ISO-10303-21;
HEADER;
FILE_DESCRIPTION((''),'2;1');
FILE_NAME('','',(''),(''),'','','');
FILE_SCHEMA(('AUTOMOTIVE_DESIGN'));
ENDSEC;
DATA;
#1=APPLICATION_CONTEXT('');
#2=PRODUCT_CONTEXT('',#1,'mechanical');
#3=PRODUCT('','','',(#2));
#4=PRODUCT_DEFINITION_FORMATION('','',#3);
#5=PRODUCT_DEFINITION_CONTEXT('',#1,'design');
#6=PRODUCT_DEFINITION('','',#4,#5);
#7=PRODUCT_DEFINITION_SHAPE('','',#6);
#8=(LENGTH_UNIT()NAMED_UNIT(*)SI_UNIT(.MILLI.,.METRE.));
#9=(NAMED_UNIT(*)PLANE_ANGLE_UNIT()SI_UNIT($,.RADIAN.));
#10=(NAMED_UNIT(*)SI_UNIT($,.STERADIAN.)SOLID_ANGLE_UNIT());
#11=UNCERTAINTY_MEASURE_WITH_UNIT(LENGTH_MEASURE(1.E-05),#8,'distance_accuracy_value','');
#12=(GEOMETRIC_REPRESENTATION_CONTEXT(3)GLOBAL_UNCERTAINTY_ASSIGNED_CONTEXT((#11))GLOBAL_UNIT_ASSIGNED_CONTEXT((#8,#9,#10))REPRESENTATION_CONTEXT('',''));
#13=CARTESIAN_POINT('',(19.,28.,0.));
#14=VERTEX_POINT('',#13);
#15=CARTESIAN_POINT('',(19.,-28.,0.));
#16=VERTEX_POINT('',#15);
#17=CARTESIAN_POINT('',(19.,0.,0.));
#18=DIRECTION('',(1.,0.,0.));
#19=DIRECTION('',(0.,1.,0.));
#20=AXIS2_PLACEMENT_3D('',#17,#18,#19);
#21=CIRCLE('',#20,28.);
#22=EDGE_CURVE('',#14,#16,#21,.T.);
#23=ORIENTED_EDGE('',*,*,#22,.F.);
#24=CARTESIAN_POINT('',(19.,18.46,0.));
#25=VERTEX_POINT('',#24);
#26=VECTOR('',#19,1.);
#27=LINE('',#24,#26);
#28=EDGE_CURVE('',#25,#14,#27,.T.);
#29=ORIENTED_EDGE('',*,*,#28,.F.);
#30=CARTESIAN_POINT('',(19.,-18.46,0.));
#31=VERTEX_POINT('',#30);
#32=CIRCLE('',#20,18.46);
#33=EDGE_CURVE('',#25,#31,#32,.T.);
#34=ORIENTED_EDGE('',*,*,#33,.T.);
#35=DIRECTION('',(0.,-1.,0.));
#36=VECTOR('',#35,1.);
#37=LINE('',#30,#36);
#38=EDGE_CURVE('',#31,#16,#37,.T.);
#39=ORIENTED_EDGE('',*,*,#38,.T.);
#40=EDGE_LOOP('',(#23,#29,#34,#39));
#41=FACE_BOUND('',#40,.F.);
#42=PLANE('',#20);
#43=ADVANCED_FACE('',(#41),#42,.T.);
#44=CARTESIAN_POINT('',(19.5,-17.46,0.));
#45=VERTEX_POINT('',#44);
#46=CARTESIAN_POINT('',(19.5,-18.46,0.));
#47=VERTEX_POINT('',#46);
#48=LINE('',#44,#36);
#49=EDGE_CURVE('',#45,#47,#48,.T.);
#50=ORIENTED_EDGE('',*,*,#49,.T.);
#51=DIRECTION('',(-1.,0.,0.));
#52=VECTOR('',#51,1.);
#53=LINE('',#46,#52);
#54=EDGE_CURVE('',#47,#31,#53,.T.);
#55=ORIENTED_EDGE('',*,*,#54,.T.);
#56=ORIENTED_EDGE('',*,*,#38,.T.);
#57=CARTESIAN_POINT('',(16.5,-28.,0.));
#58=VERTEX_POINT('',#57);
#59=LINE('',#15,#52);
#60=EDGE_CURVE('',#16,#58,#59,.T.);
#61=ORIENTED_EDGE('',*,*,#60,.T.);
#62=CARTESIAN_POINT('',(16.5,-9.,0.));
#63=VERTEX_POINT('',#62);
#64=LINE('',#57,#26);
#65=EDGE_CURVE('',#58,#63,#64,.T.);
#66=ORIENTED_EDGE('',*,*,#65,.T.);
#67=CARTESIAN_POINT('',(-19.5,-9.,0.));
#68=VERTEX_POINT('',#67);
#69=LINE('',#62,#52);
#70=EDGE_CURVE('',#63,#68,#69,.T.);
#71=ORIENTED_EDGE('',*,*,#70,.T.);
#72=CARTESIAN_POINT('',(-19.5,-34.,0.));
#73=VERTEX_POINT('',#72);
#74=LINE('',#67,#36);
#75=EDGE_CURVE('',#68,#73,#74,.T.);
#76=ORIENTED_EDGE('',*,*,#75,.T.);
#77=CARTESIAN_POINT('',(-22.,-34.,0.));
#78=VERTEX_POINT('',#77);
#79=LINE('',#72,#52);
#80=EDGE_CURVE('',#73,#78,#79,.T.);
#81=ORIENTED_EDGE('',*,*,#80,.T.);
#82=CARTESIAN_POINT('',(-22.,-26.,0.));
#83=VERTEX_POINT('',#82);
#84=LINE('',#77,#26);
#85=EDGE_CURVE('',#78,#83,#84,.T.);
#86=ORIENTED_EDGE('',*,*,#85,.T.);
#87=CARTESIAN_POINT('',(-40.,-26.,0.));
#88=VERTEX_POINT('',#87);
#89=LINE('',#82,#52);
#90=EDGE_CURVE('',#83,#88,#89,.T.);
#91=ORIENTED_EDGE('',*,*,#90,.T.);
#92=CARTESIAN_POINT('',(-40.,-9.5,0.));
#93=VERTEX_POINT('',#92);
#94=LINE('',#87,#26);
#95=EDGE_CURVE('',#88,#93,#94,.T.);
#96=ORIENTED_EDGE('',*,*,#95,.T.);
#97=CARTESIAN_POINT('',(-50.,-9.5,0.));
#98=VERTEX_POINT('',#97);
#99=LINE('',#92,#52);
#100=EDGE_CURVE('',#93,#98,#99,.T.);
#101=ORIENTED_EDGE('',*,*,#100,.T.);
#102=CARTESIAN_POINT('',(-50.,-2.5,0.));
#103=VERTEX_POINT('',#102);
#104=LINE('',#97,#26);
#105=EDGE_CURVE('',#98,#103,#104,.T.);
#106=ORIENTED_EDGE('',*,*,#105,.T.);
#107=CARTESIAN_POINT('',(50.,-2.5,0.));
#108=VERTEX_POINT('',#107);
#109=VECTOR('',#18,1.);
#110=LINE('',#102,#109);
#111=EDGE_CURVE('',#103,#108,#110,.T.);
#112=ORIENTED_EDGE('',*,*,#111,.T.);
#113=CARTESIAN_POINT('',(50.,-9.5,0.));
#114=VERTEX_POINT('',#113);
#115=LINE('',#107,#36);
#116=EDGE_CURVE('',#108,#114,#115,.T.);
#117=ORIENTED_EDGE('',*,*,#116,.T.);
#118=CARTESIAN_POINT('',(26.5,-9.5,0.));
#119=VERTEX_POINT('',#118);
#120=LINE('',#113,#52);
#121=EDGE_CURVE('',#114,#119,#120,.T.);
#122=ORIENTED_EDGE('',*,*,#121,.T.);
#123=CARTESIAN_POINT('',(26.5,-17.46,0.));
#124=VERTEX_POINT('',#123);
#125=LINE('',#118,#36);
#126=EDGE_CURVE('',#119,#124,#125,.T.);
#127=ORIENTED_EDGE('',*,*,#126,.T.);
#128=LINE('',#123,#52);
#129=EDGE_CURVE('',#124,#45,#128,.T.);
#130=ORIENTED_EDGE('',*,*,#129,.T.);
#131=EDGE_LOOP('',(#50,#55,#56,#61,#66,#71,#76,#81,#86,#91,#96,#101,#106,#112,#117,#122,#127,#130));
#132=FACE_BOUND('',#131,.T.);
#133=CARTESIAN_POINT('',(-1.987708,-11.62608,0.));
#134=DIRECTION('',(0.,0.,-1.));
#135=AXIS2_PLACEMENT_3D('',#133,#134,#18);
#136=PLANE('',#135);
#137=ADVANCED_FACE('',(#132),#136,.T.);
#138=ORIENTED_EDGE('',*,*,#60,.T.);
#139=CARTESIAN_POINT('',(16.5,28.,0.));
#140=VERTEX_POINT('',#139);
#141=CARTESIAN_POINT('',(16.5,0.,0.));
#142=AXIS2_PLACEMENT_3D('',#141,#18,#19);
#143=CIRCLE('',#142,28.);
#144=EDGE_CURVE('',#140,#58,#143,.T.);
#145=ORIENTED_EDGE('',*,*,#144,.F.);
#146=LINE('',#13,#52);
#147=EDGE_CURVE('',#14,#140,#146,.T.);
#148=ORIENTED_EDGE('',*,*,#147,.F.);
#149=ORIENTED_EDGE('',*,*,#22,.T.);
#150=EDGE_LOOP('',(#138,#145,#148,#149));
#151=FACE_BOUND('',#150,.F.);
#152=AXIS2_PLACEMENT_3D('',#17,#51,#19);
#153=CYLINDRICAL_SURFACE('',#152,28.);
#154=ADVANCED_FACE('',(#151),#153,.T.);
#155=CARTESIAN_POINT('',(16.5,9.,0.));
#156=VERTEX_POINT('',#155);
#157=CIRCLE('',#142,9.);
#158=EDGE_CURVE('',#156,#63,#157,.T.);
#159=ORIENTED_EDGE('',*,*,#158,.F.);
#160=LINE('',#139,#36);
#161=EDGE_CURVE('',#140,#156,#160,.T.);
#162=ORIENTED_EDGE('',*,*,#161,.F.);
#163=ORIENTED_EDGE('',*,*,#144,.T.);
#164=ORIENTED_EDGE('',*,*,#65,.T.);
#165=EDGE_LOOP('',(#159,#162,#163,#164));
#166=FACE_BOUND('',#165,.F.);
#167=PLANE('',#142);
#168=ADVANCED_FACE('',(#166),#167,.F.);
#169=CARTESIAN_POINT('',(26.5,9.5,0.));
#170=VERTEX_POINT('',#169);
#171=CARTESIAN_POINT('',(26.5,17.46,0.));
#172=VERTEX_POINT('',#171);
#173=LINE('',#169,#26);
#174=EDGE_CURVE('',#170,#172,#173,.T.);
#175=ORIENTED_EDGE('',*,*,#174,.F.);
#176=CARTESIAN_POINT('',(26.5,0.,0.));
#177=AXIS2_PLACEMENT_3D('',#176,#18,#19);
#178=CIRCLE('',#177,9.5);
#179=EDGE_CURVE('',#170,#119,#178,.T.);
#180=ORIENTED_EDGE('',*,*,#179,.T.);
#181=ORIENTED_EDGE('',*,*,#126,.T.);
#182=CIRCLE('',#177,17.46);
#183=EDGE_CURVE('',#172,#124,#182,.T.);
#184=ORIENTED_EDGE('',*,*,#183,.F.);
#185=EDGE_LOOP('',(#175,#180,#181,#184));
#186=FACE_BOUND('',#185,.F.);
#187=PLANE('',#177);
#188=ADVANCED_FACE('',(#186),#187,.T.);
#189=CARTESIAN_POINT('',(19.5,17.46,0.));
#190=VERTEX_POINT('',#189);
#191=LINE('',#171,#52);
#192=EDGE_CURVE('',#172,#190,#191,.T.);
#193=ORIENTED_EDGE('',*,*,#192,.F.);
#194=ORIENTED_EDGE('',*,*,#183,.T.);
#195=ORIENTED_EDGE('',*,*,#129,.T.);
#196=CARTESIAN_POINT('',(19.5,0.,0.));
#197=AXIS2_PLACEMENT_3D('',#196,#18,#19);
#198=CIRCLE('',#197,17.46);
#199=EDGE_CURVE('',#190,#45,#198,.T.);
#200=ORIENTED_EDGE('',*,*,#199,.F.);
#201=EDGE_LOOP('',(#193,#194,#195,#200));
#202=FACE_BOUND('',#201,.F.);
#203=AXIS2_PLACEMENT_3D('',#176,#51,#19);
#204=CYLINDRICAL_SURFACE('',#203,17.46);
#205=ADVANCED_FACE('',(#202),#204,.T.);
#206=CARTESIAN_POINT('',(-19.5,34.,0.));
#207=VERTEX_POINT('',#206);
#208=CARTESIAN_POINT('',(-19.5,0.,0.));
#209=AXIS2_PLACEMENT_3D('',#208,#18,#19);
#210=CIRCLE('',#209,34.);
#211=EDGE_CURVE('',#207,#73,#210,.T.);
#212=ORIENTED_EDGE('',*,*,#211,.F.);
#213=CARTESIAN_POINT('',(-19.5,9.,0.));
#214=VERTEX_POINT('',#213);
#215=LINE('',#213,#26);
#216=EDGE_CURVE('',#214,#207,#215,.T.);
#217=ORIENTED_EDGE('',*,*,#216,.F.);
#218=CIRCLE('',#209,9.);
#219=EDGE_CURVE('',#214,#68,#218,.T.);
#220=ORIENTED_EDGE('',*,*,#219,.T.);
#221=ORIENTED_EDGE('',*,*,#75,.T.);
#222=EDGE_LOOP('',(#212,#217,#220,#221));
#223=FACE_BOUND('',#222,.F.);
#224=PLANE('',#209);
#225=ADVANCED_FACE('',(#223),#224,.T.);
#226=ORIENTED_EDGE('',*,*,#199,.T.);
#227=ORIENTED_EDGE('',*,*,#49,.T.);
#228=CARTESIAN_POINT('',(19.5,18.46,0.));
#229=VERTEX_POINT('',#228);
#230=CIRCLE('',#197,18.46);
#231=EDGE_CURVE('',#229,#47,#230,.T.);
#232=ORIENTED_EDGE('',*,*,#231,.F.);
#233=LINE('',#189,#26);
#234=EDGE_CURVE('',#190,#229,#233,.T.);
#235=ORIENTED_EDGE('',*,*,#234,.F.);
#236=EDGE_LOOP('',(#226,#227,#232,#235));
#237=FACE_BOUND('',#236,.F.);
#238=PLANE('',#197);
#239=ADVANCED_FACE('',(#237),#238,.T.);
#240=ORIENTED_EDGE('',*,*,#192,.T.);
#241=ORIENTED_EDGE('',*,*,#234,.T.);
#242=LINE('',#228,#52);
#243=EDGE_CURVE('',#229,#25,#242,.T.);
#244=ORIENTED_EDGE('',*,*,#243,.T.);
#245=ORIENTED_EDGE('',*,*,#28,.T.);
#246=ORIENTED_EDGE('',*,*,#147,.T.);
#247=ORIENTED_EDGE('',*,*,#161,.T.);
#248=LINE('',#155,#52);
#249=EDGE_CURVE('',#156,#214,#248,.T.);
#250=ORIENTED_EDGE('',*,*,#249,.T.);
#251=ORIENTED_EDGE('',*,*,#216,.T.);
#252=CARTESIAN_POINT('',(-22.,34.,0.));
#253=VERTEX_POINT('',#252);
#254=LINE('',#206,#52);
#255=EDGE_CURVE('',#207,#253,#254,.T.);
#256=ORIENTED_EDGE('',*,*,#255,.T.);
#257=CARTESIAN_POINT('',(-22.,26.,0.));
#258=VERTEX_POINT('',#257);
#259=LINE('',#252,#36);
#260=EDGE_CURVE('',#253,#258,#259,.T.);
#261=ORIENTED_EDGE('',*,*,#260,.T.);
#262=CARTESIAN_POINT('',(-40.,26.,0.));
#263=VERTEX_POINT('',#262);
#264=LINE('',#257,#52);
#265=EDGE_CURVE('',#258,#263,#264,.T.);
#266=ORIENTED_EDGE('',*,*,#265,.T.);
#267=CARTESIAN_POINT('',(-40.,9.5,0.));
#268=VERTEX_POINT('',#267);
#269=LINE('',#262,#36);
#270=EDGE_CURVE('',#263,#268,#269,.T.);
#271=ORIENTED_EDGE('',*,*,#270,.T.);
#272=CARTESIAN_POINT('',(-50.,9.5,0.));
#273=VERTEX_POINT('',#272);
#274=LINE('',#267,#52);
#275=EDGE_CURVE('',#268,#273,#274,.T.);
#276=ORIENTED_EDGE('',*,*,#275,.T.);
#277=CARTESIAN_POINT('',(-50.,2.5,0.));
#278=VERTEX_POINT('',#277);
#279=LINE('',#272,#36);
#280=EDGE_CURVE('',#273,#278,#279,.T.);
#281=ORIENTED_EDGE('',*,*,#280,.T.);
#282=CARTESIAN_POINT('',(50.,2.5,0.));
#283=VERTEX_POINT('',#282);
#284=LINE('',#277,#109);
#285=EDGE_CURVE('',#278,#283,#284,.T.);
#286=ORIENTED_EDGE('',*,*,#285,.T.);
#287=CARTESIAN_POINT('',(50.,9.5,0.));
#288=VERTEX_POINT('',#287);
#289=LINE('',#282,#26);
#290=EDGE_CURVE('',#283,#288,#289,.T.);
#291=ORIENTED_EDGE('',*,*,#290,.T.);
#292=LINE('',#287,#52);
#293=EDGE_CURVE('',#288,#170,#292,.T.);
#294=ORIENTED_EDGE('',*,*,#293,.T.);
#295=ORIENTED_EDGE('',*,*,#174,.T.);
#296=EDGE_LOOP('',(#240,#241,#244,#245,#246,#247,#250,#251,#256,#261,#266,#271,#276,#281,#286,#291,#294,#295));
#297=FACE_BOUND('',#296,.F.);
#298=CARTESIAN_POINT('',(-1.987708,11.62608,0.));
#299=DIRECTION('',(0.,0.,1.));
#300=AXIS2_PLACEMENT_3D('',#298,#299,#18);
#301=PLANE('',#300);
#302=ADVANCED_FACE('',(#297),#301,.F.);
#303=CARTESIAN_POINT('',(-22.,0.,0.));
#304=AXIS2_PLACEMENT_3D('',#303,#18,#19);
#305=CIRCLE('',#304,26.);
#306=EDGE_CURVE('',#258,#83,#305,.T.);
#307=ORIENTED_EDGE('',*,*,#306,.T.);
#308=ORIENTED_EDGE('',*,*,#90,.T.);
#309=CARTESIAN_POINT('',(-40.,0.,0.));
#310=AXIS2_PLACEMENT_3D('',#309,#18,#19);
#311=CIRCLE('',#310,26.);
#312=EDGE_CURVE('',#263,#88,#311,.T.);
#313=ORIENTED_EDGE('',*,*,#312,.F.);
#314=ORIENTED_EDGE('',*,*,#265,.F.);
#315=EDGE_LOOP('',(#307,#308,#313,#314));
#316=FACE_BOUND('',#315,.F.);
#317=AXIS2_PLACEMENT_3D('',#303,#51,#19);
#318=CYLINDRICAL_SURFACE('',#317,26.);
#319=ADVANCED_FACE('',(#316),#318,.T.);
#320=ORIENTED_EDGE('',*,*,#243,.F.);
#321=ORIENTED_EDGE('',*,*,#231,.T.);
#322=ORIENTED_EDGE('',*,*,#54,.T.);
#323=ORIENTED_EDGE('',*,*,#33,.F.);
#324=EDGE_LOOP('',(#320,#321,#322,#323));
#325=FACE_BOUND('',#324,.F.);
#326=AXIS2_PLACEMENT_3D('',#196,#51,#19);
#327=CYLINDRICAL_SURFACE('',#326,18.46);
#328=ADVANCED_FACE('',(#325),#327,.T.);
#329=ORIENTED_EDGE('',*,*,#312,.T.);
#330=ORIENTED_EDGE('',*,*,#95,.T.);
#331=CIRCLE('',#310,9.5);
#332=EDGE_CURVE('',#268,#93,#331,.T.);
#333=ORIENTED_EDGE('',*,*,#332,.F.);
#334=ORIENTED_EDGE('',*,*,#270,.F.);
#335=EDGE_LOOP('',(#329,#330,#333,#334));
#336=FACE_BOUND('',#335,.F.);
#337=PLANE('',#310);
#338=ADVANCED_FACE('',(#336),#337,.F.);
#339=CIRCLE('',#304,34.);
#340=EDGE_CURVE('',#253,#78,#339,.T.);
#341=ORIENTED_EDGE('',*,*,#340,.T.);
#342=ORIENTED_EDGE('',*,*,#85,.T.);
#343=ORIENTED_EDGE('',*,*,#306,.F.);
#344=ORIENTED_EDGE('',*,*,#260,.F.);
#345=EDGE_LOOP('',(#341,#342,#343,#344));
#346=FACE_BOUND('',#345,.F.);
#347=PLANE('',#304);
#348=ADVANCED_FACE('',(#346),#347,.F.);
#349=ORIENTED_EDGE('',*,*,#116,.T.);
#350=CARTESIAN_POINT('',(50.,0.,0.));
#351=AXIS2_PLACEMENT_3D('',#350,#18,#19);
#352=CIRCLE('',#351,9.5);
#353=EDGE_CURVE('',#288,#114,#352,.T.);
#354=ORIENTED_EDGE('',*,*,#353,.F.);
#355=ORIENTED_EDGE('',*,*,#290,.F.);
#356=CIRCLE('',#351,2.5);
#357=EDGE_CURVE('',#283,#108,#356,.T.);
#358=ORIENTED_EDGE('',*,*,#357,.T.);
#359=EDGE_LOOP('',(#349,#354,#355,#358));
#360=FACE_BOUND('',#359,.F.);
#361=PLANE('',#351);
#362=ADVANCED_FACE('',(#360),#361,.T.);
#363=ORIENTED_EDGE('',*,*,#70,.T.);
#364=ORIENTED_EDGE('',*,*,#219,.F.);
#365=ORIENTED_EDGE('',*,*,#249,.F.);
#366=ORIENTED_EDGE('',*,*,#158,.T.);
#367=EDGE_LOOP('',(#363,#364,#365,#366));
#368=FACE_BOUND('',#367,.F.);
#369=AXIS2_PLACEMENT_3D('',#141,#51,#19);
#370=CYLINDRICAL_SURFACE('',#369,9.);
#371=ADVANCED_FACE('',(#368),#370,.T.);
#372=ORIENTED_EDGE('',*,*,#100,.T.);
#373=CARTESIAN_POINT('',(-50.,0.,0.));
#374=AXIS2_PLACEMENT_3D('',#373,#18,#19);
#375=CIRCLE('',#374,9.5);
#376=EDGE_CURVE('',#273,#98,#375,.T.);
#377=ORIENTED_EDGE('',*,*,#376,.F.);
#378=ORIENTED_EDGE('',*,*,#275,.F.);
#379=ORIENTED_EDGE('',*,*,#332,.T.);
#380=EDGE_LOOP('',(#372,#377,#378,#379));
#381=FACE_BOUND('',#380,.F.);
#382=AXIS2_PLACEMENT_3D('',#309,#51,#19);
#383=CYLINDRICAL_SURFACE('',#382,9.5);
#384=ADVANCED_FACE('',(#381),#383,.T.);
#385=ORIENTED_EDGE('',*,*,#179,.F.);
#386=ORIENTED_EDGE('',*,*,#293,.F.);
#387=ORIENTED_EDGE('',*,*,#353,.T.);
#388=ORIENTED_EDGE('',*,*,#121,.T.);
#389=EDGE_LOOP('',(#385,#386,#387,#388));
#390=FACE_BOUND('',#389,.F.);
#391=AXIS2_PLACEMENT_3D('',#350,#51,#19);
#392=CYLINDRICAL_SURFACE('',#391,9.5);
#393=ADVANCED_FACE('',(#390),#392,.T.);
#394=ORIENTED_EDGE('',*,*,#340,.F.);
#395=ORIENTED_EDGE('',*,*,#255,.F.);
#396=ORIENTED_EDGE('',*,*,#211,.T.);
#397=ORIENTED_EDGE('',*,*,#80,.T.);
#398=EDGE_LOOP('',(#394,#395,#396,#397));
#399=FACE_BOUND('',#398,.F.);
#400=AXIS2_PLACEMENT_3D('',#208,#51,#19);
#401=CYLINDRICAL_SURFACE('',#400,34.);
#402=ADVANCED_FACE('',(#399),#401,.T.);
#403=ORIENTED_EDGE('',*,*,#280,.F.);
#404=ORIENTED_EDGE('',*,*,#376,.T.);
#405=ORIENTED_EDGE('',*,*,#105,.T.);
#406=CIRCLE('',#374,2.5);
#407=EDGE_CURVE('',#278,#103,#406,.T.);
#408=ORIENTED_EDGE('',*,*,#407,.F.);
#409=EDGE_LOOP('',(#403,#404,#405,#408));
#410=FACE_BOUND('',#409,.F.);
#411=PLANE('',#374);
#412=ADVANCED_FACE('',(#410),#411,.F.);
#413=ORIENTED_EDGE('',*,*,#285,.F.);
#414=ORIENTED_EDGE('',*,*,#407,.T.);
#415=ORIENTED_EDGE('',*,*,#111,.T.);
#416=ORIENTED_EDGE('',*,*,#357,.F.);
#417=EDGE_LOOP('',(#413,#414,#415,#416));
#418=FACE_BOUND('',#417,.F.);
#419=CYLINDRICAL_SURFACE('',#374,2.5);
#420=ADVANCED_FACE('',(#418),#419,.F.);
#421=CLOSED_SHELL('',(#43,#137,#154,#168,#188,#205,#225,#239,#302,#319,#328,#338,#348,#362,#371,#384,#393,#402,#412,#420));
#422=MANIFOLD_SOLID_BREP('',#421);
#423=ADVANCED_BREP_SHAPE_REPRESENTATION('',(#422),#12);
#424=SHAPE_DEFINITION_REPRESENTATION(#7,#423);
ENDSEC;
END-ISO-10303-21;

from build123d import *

# Parameters (mm, degrees)
REVOLUTION_ANGLE = 180


with BuildPart() as part:
    # Sketch → Revolution (revolve)
    with BuildSketch(Plane.XY):
        Polygon((26.5, 9.5), (26.5, 17.46), (19.5, 17.46), (19.5, 18.46), (19, 18.46), (19, 28), (16.5, 28), (16.5, 9), (-19.5, 9), (-19.5, 34), (-22, 34), (-22, 26), (-40, 26), (-40, 9.5), (-50, 9.5), (-50, 2.5), (50, 2.5), (50, 9.5), align=None)
    revolve(axis=Axis((0, 0, 0), (1, 0, 0)), revolution_arc=REVOLUTION_ANGLE)


solid = part.part
